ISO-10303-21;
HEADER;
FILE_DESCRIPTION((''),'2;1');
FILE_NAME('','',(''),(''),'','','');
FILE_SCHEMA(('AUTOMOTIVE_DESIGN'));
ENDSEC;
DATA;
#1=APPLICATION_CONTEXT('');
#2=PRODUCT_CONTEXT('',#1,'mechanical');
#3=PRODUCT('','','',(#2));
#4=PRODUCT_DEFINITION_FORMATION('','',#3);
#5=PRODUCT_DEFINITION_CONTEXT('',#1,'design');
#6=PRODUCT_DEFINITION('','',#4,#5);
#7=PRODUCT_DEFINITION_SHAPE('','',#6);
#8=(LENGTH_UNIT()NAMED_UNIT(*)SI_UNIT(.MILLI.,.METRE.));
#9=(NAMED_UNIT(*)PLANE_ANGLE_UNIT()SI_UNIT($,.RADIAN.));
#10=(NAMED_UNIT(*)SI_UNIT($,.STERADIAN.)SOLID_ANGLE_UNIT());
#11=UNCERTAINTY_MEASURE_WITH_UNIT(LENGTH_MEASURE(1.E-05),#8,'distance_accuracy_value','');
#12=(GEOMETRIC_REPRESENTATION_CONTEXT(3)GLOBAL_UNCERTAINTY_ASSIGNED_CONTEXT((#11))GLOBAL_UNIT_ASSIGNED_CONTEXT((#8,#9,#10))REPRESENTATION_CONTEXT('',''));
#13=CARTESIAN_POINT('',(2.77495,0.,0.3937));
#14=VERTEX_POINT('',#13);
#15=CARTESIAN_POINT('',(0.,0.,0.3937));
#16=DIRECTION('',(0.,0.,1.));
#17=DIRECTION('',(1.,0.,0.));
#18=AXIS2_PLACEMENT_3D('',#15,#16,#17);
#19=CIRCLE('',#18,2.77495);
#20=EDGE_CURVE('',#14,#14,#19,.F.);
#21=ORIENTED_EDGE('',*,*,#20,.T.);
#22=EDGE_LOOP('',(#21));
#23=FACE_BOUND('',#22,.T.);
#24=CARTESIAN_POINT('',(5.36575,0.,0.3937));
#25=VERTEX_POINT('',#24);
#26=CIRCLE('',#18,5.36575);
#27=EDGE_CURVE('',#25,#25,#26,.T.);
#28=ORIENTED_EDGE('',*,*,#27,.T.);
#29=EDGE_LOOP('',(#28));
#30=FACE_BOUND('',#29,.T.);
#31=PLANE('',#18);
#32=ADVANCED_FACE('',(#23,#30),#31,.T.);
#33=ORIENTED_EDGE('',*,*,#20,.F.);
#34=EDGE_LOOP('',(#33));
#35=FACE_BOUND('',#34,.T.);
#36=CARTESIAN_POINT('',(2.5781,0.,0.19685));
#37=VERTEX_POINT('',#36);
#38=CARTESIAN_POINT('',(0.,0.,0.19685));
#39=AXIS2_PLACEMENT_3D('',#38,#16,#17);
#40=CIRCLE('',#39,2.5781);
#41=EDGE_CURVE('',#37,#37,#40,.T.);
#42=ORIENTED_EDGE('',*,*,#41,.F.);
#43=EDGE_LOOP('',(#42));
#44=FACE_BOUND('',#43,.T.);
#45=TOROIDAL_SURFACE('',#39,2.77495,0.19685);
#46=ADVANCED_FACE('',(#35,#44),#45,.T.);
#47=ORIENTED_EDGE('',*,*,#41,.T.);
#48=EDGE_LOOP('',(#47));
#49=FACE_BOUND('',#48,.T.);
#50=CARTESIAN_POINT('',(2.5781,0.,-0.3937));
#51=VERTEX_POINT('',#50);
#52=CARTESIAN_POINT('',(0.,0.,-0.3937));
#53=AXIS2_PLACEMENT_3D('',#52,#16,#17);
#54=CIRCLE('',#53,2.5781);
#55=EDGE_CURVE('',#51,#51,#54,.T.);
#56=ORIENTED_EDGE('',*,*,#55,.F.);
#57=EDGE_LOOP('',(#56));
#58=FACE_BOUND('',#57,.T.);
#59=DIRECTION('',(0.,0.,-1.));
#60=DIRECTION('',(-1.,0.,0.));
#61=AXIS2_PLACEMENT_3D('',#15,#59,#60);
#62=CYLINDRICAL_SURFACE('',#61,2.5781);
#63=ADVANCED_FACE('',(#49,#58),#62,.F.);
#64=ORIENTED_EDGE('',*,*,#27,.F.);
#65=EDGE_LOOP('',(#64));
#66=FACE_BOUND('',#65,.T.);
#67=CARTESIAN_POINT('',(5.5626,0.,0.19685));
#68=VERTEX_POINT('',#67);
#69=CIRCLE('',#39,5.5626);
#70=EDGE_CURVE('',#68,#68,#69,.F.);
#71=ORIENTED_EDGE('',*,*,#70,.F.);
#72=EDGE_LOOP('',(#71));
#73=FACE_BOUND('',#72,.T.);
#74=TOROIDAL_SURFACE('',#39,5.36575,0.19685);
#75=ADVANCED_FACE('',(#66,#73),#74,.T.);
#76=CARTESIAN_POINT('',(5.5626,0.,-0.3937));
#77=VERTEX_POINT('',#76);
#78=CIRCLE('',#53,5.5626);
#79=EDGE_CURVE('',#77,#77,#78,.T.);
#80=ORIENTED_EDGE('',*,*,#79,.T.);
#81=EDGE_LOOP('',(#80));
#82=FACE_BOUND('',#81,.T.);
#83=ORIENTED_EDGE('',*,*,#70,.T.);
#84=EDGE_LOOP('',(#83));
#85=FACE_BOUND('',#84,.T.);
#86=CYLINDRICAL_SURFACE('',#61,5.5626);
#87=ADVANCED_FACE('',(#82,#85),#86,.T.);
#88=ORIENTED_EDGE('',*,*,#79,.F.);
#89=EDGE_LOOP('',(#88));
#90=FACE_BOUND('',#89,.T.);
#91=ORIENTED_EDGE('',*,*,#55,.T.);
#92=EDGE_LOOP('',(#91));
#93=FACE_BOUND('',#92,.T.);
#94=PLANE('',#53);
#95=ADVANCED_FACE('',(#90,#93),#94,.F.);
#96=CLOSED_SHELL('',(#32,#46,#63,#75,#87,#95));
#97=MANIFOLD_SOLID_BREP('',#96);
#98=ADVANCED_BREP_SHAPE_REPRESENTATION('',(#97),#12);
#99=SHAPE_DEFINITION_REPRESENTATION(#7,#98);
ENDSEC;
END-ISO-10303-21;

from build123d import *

# Parameters (mm, degrees)
SKETCH3_R                = 5.5626
SKETCH3_R_2              = 2.5781
BOSS_EXTRUDE1_DEPTH      = 0.3937
BOSS_EXTRUDE1_DEPTH_BACK = 0.3937
FILLET1_R                = 0.19685


with BuildPart() as part:
    # Sketch3 → Boss-Extrude1 (new body, two sides)
    with BuildSketch(Plane.XY) as boss_extrude1_sk:
        Circle(SKETCH3_R)
        Circle(SKETCH3_R_2, mode=Mode.SUBTRACT)
    extrude(amount=BOSS_EXTRUDE1_DEPTH)
    extrude(boss_extrude1_sk.sketch, amount=-BOSS_EXTRUDE1_DEPTH_BACK)

    # Fillet1
    fillet1_edges = [part.edges().sort_by_distance(p)[0] for p in [
        (-5.5626, 0, 0.3937),
        (-2.5781, 0, 0.3937),
    ]]
    fillet(fillet1_edges, radius=FILLET1_R)


solid = part.part
